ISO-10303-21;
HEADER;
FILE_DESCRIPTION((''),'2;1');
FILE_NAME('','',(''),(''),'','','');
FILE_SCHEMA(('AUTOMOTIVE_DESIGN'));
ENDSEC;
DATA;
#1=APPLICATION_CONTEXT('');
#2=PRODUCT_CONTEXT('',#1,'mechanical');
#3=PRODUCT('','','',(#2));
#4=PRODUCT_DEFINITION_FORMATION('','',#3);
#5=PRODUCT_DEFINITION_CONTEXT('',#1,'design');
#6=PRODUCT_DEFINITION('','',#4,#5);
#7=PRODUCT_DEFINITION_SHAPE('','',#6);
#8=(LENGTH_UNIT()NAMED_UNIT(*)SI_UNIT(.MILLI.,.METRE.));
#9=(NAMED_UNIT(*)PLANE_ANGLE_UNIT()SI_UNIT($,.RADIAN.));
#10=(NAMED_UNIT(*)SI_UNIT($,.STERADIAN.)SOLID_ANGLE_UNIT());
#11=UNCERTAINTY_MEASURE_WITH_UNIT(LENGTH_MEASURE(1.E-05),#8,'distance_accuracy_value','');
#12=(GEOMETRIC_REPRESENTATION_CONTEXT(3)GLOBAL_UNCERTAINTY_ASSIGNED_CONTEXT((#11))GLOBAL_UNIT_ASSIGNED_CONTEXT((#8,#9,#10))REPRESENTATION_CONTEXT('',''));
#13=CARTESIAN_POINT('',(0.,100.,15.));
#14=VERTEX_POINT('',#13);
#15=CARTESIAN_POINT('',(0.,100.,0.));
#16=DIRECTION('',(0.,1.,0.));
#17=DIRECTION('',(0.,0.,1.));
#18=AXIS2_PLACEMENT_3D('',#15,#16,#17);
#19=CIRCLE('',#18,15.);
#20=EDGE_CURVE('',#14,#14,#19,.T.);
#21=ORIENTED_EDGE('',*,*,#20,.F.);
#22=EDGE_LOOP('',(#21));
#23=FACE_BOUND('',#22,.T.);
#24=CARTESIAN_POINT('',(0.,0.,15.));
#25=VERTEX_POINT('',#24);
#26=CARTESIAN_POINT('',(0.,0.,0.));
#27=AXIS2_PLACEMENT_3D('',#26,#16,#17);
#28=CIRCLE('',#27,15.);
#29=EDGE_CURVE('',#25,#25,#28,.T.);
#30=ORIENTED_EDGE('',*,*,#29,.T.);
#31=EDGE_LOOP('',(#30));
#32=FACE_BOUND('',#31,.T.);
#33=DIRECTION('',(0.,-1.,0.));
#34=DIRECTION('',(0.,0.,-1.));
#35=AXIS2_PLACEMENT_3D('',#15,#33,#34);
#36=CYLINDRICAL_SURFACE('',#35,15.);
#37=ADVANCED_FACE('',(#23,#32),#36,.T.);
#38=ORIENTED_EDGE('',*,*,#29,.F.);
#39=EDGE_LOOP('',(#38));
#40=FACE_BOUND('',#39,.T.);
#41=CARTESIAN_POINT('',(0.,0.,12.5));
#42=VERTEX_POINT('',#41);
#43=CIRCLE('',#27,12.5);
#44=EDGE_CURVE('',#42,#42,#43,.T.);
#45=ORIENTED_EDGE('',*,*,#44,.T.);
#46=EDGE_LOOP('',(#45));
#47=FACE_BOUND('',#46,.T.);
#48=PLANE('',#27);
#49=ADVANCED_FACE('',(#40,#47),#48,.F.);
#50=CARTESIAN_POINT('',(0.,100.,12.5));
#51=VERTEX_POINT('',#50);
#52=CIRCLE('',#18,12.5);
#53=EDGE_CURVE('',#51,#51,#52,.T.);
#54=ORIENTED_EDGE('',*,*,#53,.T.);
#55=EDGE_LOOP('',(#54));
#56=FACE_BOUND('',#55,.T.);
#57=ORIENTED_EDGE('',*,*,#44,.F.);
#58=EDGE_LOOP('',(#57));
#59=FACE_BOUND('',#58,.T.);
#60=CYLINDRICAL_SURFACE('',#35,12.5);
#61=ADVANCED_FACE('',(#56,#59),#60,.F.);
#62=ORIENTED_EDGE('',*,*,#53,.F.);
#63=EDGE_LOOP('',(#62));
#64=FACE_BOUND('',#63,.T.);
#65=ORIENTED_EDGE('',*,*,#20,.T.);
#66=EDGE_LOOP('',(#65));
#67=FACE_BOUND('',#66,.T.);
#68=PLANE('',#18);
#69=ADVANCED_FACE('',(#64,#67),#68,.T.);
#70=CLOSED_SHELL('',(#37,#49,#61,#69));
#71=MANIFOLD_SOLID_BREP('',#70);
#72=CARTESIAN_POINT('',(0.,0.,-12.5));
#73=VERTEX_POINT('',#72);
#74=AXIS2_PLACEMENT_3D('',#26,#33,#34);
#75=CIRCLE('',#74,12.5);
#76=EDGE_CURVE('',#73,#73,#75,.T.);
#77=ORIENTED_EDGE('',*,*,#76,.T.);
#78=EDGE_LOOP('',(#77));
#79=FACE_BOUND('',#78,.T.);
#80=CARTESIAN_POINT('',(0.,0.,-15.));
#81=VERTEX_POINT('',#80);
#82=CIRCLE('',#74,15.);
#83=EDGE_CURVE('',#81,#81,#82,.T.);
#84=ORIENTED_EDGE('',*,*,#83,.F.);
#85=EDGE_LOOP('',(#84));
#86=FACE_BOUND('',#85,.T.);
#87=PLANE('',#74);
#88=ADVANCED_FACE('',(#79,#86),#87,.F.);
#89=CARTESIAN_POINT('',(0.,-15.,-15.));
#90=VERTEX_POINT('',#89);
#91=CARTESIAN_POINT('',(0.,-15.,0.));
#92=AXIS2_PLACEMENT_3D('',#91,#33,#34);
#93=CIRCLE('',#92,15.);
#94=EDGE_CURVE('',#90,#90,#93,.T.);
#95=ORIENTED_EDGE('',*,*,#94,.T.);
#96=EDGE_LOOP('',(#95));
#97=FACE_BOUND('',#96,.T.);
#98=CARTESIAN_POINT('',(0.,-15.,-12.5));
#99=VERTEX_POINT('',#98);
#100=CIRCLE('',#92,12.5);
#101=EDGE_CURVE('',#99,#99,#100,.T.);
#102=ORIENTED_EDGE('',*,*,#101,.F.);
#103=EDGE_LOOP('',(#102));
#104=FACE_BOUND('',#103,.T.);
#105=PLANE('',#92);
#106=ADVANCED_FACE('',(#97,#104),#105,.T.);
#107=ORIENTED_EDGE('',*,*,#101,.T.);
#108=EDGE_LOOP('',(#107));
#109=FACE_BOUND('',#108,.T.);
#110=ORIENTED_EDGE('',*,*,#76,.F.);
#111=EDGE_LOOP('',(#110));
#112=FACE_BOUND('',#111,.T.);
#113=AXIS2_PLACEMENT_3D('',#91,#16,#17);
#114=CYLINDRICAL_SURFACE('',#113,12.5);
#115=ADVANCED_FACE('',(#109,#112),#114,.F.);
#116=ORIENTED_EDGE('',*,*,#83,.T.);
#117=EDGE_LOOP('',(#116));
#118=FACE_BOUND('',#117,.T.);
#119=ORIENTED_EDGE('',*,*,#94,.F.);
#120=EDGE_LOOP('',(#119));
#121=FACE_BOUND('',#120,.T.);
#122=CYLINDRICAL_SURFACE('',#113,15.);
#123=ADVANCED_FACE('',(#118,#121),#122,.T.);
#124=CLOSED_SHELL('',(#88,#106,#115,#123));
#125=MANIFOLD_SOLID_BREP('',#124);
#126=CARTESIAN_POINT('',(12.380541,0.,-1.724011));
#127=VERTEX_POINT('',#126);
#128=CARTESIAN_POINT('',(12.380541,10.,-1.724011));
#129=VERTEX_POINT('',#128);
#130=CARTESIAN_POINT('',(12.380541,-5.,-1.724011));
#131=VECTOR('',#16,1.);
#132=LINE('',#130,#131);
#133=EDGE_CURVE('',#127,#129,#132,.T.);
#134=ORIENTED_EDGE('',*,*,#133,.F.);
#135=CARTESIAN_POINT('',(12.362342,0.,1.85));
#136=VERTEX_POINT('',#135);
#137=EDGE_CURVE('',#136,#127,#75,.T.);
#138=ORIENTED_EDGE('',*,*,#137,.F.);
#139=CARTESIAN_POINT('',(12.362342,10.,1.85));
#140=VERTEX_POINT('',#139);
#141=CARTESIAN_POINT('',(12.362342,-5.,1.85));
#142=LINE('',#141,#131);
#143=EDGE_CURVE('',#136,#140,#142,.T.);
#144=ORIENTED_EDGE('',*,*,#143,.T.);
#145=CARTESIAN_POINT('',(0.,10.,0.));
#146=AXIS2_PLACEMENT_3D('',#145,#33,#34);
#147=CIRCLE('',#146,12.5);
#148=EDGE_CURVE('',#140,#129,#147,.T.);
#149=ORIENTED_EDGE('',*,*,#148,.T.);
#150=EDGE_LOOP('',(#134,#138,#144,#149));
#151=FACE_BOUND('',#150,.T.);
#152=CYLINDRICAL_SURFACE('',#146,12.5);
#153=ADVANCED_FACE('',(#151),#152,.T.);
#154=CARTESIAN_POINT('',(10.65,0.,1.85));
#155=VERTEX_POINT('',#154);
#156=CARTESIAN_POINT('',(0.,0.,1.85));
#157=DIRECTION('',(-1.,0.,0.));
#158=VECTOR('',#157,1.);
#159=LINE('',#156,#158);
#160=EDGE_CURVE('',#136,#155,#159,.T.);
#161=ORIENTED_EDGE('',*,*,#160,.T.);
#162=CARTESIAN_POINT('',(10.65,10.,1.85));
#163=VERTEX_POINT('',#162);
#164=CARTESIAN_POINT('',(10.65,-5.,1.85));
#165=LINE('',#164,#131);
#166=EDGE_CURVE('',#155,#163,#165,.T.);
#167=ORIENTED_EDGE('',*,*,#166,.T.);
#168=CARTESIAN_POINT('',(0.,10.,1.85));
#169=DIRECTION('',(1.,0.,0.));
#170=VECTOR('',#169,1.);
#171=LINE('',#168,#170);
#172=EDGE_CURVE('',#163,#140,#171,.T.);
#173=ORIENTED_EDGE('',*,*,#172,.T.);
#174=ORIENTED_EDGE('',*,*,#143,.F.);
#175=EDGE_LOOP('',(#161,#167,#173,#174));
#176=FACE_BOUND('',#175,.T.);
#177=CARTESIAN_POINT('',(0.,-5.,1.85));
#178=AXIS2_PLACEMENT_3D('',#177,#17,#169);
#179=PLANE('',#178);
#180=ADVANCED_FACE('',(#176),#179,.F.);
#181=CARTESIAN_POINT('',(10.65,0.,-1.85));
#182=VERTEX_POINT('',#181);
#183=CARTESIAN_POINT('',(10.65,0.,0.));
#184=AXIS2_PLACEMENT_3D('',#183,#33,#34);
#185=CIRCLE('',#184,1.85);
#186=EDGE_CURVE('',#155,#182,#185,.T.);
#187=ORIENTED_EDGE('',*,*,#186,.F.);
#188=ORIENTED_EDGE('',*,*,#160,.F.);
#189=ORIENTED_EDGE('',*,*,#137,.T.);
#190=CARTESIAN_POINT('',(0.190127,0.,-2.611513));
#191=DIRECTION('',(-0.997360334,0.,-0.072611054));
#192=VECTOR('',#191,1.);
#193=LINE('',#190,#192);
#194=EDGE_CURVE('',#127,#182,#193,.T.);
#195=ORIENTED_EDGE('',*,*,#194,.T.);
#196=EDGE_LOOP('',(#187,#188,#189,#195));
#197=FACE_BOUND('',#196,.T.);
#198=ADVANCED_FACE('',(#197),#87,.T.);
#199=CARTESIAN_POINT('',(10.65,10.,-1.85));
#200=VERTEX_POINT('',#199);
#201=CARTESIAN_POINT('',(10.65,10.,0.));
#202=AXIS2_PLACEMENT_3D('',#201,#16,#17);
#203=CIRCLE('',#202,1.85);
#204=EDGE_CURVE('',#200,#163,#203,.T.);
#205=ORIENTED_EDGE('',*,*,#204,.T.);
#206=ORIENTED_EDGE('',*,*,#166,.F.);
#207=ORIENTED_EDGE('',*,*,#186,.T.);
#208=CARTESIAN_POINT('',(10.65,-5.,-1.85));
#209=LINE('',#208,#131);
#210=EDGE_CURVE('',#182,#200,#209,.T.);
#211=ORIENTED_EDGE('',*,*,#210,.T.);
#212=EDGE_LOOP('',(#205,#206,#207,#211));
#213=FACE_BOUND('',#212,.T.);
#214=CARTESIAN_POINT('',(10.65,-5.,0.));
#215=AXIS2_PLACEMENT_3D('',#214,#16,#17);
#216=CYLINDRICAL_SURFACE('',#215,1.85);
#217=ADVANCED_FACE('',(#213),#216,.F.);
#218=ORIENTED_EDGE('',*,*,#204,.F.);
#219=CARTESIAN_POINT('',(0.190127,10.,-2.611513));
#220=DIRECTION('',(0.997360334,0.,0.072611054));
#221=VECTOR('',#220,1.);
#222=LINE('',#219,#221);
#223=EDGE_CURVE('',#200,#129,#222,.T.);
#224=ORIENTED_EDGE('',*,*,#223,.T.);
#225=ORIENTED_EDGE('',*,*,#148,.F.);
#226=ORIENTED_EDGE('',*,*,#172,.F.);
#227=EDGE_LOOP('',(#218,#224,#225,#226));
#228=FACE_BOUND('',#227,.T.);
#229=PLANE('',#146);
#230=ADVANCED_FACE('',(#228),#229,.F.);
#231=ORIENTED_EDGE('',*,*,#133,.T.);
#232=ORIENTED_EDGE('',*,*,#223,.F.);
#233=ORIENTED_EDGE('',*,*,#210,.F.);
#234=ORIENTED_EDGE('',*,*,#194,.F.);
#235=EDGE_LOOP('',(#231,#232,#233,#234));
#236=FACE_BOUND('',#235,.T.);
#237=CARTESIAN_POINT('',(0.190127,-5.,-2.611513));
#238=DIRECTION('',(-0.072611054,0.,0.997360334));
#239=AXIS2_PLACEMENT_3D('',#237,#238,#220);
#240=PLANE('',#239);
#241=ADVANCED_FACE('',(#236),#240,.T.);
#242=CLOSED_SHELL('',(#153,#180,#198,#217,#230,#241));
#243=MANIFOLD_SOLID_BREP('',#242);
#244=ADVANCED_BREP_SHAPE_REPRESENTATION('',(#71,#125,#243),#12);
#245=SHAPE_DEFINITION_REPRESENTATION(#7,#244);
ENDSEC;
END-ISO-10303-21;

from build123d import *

# Parameters (mm, degrees)
SKETCH1_R           = 15
SKETCH1_R_2         = 12.5
BOSS_EXTRUDE1_DEPTH = 100
SKETCH2_R           = 12.5
BOSS_EXTRUDE2_DEPTH = 10
SKETCH3_R           = 15
SKETCH3_R_2         = 12.5
BOSS_EXTRUDE3_DEPTH = 15
CUT_EXTRUDE1_START  = -15
CUT_EXTRUDE1_DEPTH  = 15


with BuildPart() as part:
    # Sketch1 → Boss-Extrude1 (new body)
    with BuildSketch(Plane(origin=(0, 0, 0), x_dir=(1, 0, 0), z_dir=(0, 1, 0))):
        with Locations(Location((0, 0, 0), (0, 0, 270))):
            Circle(SKETCH1_R)
        with Locations(Location((0, 0, 0), (0, 0, 270))):
            Circle(SKETCH1_R_2, mode=Mode.SUBTRACT)
    extrude(amount=BOSS_EXTRUDE1_DEPTH)


with BuildPart() as body_2:
    # Sketch2 → Boss-Extrude2 (new body)
    with BuildSketch(Plane.XZ):
        with Locations(Location((0, 0, 0), (0, 0, 270))):
            Circle(SKETCH2_R)
    extrude(amount=-BOSS_EXTRUDE2_DEPTH)

    # Sketch5 → Cut-Extrude1 (cut)
    with BuildSketch(Plane(origin=(0, 10, 0), x_dir=(1, 0, 0), z_dir=(0, 1, 0)).offset(CUT_EXTRUDE1_START)):
        with BuildLine():
            ThreePointArc((12.362342011, -1.85), (12.465537998, -0.927557238), (12.5, 0))
            ThreePointArc((12.5, 0), (11.958147545, -1.308147545), (10.65, -1.85))
            Line((10.65, -1.85), (12.362342011, -1.85))
        make_face()
        with BuildLine():
            ThreePointArc((10.65, -1.85), (11.958147545, -1.308147545), (12.5, 0))
            Line((12.5, 0), (8.8, 0))
            ThreePointArc((8.8, 0), (9.341852455, -1.308147545), (10.65, -1.85))
        make_face()
        with BuildLine():
            Line((8.8, 0), (12.5, 0))
            ThreePointArc((12.5, 0), (12.049680443, 1.209708501), (10.917951723, 1.830492249))
            Line((10.917951723, 1.830492249), (10.65, 1.85))
            ThreePointArc((10.65, 1.85), (9.341852455, 1.308147545), (8.8, 0))
        make_face()
        with BuildLine():
            ThreePointArc((10.917951723, 1.830492249), (12.049680443, 1.209708501), (12.5, 0))
            ThreePointArc((12.5, 0), (12.470099392, 0.86407243), (12.380540614, 1.724011054))
            Line((12.380540614, 1.724011054), (10.917951723, 1.830492249))
        make_face()
    extrude(amount=CUT_EXTRUDE1_DEPTH, mode=Mode.SUBTRACT)


with BuildPart() as body_3:
    # Sketch3 → Boss-Extrude3 (new body)
    with BuildSketch(Plane.XZ):
        with Locations(Location((0, 0, 0), (0, 0, 270))):
            Circle(SKETCH3_R)
        with Locations(Location((0, 0, 0), (0, 0, 270))):
            Circle(SKETCH3_R_2, mode=Mode.SUBTRACT)
    extrude(amount=BOSS_EXTRUDE3_DEPTH)


solid = Compound([part.part, body_2.part, body_3.part])
